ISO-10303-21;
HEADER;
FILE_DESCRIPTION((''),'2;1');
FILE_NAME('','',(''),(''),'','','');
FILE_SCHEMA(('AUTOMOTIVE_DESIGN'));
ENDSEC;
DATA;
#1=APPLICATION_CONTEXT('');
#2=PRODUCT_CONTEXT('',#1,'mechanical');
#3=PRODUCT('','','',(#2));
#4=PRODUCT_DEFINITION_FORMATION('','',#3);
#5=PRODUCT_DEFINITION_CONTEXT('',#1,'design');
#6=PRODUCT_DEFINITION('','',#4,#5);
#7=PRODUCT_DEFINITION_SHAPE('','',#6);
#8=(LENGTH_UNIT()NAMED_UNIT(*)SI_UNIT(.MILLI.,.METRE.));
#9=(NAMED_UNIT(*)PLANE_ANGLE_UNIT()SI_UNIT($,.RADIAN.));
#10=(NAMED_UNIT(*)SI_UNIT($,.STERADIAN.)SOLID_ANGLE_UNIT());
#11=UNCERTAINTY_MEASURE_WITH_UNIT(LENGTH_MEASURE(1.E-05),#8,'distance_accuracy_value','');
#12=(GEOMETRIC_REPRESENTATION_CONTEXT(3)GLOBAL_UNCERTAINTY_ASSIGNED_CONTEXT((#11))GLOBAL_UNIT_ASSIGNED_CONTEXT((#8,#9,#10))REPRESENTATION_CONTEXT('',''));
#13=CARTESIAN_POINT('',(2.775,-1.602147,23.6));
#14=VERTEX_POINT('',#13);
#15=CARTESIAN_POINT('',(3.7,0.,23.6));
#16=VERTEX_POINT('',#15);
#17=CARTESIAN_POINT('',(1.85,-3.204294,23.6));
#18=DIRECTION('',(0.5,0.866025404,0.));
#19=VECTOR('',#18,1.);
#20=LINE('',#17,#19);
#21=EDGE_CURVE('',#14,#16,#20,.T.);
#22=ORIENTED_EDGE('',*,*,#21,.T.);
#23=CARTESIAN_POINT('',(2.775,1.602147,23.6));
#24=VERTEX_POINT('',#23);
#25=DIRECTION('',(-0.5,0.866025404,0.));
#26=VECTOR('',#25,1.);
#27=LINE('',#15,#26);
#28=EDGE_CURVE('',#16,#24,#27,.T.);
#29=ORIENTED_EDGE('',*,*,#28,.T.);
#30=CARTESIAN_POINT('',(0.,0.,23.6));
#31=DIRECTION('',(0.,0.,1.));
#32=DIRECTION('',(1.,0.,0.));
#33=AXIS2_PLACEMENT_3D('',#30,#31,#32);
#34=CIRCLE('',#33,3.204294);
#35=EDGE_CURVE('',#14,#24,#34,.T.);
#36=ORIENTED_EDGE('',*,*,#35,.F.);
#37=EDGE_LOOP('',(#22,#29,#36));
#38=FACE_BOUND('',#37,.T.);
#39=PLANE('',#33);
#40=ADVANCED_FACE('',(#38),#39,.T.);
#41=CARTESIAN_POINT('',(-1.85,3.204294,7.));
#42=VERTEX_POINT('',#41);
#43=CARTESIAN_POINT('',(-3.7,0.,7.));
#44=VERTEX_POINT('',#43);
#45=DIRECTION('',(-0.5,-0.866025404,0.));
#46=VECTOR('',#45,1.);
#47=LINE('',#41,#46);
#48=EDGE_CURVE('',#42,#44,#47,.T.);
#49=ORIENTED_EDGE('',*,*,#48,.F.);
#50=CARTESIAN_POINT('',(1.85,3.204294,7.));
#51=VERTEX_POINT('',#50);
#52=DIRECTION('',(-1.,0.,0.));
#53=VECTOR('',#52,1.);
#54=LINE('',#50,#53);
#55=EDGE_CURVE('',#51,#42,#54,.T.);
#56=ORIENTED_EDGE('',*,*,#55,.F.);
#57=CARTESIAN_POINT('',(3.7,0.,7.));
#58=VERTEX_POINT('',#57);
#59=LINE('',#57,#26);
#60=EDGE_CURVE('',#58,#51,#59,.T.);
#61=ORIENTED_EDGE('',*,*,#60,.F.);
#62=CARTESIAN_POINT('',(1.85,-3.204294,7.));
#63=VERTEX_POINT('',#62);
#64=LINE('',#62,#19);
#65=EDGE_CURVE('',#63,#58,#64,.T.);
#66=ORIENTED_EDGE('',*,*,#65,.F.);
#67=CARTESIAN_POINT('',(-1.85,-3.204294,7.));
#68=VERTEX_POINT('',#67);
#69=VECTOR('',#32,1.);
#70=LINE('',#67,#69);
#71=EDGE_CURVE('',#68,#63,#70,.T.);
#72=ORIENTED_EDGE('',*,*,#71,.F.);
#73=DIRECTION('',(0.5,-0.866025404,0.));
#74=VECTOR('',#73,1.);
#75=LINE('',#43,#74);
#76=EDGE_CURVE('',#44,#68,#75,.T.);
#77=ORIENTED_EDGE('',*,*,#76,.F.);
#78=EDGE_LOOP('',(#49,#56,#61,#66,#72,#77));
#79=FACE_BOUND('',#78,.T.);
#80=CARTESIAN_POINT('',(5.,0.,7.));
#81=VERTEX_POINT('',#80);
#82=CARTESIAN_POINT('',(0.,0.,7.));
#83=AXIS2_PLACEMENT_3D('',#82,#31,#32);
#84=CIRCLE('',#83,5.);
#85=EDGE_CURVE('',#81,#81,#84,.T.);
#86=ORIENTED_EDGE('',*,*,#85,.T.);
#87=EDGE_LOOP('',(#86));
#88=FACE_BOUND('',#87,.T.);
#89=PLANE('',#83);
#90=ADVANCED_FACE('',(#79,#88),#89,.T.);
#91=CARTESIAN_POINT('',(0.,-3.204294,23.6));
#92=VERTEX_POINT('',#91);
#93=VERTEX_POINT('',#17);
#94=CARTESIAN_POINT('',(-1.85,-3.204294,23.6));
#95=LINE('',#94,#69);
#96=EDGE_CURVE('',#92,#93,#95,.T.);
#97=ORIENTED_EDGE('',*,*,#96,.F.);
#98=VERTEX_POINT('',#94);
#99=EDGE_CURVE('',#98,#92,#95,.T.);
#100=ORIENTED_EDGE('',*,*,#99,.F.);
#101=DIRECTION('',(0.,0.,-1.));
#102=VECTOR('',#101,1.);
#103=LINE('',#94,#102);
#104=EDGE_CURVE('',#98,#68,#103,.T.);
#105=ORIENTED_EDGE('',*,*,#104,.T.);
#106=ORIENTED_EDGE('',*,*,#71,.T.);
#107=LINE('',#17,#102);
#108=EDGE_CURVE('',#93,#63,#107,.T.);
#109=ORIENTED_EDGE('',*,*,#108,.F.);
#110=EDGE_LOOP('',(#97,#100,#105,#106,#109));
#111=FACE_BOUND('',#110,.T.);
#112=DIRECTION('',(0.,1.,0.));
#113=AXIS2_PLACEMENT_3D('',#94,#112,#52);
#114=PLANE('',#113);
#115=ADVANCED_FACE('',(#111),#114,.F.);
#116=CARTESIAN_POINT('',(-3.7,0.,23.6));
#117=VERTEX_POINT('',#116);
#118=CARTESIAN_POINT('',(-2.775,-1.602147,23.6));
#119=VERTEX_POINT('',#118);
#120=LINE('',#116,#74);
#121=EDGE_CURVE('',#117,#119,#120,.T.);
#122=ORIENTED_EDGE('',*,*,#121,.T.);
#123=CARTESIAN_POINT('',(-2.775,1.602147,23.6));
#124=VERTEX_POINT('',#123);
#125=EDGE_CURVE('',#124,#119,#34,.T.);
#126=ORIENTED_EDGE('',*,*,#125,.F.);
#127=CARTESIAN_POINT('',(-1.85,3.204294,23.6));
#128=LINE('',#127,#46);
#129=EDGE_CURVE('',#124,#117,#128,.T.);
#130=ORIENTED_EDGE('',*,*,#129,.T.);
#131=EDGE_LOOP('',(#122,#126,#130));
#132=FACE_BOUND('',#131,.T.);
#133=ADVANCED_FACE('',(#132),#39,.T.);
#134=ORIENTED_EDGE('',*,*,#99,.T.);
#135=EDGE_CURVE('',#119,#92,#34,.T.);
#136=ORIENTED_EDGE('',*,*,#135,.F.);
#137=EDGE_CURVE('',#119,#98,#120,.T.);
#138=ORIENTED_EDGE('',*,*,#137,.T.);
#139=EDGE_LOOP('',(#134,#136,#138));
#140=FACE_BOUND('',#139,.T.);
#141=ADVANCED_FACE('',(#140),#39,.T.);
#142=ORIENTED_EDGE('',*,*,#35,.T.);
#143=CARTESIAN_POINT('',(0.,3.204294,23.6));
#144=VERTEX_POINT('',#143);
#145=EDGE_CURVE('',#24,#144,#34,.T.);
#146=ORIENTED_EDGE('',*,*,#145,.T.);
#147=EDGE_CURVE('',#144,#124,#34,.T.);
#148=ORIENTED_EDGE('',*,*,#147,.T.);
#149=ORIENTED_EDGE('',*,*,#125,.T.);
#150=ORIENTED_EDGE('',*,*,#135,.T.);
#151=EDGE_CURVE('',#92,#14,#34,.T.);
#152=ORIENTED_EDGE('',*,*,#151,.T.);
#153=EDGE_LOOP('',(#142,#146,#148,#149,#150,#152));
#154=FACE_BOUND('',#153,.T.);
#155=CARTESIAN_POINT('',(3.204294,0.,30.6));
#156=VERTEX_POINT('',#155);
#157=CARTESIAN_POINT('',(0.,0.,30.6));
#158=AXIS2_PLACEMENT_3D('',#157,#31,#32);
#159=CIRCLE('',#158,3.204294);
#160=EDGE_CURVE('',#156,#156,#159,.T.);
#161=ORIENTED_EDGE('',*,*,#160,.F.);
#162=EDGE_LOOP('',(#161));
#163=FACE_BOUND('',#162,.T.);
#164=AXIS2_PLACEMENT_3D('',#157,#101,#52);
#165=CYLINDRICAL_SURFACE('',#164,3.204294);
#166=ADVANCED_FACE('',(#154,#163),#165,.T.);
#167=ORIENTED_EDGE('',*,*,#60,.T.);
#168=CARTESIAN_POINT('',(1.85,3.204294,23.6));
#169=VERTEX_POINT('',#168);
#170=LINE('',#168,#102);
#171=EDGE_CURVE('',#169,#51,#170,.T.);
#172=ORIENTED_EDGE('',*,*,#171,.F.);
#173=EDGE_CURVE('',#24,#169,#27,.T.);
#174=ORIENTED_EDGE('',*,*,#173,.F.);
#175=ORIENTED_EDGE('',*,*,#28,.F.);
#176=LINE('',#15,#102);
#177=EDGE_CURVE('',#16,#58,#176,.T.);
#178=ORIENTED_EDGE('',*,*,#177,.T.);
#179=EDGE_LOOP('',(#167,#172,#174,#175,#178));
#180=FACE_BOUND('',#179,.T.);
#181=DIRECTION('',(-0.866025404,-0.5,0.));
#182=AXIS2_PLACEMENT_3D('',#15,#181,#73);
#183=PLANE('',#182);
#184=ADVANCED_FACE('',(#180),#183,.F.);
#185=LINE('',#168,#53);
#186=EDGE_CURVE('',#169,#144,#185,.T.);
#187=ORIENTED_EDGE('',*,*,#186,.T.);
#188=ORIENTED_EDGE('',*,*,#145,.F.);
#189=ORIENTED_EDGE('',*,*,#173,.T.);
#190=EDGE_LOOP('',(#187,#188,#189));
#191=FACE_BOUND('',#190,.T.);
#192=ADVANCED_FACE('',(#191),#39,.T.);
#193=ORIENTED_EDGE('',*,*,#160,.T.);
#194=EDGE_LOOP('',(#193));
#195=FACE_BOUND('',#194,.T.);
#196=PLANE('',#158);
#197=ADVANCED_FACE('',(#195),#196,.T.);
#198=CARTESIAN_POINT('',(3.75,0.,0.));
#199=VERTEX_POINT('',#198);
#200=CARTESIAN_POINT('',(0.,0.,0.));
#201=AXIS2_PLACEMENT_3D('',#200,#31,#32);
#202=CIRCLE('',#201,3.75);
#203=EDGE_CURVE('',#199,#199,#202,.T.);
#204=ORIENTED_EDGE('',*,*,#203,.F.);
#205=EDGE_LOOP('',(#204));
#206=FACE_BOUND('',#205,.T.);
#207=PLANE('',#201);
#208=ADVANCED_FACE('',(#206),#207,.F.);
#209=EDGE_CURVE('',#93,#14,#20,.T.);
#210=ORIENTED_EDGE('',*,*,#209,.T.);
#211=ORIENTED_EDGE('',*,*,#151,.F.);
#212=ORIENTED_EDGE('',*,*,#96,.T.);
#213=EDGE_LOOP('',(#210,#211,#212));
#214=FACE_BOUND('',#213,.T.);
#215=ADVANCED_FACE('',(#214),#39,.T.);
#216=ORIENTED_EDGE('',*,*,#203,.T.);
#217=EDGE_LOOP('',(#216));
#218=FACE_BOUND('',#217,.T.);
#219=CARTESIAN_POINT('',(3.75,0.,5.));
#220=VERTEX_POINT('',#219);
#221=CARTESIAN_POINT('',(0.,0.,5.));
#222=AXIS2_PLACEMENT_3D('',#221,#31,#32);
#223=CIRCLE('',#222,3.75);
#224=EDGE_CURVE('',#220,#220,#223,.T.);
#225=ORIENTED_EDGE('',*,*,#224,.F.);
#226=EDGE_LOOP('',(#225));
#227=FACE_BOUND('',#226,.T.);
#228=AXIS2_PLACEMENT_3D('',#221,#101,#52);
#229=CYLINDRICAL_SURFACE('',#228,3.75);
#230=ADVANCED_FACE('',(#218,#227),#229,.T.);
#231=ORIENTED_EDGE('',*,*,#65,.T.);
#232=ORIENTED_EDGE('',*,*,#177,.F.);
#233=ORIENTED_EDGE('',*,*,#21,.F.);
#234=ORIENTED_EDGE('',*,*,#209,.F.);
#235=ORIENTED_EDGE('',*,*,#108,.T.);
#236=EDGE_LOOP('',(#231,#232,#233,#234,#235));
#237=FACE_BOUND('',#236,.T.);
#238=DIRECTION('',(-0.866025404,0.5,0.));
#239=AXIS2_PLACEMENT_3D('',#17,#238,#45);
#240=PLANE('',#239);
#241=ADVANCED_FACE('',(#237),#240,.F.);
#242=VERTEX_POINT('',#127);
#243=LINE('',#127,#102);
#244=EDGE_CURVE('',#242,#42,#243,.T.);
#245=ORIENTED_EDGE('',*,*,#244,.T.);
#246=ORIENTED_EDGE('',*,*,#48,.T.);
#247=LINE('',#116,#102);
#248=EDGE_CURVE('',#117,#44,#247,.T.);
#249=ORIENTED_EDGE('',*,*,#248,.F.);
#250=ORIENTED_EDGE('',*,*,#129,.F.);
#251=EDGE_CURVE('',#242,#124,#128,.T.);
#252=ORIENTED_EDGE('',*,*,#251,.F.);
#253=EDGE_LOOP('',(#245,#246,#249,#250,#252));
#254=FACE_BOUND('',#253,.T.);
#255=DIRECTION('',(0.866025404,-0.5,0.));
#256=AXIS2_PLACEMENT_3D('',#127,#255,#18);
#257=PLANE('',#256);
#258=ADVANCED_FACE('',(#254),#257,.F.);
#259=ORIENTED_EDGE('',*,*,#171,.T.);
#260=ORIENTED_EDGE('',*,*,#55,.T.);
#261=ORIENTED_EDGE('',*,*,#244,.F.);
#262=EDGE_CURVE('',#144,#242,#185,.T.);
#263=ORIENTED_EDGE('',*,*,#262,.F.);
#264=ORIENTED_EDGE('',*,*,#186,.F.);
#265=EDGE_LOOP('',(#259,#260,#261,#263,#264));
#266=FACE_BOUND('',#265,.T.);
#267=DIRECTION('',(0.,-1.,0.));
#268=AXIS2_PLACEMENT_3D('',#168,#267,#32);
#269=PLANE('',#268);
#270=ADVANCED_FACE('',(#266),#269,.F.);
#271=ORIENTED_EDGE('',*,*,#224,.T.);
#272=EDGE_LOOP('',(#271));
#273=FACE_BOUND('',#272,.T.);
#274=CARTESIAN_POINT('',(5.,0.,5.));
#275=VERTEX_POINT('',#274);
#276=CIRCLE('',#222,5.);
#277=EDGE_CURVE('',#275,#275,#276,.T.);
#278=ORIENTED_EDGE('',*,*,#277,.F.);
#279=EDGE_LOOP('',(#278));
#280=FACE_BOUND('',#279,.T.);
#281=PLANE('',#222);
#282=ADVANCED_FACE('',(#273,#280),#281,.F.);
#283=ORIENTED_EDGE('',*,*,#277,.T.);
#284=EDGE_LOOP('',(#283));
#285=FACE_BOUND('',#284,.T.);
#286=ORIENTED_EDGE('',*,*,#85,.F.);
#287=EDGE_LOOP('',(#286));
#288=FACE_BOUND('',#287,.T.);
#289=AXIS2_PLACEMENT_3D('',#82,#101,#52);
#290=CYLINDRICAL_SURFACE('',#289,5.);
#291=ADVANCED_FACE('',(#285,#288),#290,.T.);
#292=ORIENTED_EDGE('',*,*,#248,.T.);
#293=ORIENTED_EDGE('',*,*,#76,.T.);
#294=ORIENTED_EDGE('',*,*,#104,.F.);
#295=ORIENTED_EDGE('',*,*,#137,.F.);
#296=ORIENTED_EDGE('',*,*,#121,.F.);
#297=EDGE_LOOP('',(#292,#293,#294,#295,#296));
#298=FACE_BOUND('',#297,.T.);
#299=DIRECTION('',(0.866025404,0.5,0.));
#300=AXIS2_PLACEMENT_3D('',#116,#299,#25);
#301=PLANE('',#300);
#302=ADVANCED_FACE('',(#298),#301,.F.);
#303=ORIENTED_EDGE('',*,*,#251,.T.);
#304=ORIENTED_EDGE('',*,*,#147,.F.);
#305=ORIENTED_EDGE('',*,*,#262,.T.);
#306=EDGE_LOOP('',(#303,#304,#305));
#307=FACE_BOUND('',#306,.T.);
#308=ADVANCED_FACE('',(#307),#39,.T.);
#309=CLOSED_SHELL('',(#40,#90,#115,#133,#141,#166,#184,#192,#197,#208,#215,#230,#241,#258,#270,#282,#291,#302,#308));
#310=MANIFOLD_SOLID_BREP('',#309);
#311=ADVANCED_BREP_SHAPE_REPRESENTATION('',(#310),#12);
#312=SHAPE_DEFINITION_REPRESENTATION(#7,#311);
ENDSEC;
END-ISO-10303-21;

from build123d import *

# Parameters (mm, degrees)
SKETCH1_R           = 3.75
BOSS_EXTRUDE1_DEPTH = 5
SKETCH2_R           = 5
BOSS_EXTRUDE2_DEPTH = 2
BOSS_EXTRUDE3_DEPTH = 16.6
SKETCH4_R           = 3.204293994
BOSS_EXTRUDE4_DEPTH = 7


with BuildPart() as part:
    # Sketch1 → Boss-Extrude1 (new body)
    with BuildSketch(Plane.XY):
        Circle(SKETCH1_R)
    extrude(amount=BOSS_EXTRUDE1_DEPTH)

    # Sketch2 → Boss-Extrude2 (add)
    with BuildSketch(Plane.XY.offset(5)):
        Circle(SKETCH2_R)
    extrude(amount=BOSS_EXTRUDE2_DEPTH)

    # Sketch3 → Boss-Extrude3 (add)
    with BuildSketch(Plane.XY.offset(7)):
        Polygon((3.7, 0), (1.85, 3.204293994), (-1.85, 3.204293994), (-3.7, 0), (-1.85, -3.204293994), (1.85, -3.204293994), align=None)
    extrude(amount=BOSS_EXTRUDE3_DEPTH)

    # Sketch4 → Boss-Extrude4 (add)
    with BuildSketch(Plane.XY.offset(23.6)):
        Circle(SKETCH4_R)
    extrude(amount=BOSS_EXTRUDE4_DEPTH)


solid = part.part
